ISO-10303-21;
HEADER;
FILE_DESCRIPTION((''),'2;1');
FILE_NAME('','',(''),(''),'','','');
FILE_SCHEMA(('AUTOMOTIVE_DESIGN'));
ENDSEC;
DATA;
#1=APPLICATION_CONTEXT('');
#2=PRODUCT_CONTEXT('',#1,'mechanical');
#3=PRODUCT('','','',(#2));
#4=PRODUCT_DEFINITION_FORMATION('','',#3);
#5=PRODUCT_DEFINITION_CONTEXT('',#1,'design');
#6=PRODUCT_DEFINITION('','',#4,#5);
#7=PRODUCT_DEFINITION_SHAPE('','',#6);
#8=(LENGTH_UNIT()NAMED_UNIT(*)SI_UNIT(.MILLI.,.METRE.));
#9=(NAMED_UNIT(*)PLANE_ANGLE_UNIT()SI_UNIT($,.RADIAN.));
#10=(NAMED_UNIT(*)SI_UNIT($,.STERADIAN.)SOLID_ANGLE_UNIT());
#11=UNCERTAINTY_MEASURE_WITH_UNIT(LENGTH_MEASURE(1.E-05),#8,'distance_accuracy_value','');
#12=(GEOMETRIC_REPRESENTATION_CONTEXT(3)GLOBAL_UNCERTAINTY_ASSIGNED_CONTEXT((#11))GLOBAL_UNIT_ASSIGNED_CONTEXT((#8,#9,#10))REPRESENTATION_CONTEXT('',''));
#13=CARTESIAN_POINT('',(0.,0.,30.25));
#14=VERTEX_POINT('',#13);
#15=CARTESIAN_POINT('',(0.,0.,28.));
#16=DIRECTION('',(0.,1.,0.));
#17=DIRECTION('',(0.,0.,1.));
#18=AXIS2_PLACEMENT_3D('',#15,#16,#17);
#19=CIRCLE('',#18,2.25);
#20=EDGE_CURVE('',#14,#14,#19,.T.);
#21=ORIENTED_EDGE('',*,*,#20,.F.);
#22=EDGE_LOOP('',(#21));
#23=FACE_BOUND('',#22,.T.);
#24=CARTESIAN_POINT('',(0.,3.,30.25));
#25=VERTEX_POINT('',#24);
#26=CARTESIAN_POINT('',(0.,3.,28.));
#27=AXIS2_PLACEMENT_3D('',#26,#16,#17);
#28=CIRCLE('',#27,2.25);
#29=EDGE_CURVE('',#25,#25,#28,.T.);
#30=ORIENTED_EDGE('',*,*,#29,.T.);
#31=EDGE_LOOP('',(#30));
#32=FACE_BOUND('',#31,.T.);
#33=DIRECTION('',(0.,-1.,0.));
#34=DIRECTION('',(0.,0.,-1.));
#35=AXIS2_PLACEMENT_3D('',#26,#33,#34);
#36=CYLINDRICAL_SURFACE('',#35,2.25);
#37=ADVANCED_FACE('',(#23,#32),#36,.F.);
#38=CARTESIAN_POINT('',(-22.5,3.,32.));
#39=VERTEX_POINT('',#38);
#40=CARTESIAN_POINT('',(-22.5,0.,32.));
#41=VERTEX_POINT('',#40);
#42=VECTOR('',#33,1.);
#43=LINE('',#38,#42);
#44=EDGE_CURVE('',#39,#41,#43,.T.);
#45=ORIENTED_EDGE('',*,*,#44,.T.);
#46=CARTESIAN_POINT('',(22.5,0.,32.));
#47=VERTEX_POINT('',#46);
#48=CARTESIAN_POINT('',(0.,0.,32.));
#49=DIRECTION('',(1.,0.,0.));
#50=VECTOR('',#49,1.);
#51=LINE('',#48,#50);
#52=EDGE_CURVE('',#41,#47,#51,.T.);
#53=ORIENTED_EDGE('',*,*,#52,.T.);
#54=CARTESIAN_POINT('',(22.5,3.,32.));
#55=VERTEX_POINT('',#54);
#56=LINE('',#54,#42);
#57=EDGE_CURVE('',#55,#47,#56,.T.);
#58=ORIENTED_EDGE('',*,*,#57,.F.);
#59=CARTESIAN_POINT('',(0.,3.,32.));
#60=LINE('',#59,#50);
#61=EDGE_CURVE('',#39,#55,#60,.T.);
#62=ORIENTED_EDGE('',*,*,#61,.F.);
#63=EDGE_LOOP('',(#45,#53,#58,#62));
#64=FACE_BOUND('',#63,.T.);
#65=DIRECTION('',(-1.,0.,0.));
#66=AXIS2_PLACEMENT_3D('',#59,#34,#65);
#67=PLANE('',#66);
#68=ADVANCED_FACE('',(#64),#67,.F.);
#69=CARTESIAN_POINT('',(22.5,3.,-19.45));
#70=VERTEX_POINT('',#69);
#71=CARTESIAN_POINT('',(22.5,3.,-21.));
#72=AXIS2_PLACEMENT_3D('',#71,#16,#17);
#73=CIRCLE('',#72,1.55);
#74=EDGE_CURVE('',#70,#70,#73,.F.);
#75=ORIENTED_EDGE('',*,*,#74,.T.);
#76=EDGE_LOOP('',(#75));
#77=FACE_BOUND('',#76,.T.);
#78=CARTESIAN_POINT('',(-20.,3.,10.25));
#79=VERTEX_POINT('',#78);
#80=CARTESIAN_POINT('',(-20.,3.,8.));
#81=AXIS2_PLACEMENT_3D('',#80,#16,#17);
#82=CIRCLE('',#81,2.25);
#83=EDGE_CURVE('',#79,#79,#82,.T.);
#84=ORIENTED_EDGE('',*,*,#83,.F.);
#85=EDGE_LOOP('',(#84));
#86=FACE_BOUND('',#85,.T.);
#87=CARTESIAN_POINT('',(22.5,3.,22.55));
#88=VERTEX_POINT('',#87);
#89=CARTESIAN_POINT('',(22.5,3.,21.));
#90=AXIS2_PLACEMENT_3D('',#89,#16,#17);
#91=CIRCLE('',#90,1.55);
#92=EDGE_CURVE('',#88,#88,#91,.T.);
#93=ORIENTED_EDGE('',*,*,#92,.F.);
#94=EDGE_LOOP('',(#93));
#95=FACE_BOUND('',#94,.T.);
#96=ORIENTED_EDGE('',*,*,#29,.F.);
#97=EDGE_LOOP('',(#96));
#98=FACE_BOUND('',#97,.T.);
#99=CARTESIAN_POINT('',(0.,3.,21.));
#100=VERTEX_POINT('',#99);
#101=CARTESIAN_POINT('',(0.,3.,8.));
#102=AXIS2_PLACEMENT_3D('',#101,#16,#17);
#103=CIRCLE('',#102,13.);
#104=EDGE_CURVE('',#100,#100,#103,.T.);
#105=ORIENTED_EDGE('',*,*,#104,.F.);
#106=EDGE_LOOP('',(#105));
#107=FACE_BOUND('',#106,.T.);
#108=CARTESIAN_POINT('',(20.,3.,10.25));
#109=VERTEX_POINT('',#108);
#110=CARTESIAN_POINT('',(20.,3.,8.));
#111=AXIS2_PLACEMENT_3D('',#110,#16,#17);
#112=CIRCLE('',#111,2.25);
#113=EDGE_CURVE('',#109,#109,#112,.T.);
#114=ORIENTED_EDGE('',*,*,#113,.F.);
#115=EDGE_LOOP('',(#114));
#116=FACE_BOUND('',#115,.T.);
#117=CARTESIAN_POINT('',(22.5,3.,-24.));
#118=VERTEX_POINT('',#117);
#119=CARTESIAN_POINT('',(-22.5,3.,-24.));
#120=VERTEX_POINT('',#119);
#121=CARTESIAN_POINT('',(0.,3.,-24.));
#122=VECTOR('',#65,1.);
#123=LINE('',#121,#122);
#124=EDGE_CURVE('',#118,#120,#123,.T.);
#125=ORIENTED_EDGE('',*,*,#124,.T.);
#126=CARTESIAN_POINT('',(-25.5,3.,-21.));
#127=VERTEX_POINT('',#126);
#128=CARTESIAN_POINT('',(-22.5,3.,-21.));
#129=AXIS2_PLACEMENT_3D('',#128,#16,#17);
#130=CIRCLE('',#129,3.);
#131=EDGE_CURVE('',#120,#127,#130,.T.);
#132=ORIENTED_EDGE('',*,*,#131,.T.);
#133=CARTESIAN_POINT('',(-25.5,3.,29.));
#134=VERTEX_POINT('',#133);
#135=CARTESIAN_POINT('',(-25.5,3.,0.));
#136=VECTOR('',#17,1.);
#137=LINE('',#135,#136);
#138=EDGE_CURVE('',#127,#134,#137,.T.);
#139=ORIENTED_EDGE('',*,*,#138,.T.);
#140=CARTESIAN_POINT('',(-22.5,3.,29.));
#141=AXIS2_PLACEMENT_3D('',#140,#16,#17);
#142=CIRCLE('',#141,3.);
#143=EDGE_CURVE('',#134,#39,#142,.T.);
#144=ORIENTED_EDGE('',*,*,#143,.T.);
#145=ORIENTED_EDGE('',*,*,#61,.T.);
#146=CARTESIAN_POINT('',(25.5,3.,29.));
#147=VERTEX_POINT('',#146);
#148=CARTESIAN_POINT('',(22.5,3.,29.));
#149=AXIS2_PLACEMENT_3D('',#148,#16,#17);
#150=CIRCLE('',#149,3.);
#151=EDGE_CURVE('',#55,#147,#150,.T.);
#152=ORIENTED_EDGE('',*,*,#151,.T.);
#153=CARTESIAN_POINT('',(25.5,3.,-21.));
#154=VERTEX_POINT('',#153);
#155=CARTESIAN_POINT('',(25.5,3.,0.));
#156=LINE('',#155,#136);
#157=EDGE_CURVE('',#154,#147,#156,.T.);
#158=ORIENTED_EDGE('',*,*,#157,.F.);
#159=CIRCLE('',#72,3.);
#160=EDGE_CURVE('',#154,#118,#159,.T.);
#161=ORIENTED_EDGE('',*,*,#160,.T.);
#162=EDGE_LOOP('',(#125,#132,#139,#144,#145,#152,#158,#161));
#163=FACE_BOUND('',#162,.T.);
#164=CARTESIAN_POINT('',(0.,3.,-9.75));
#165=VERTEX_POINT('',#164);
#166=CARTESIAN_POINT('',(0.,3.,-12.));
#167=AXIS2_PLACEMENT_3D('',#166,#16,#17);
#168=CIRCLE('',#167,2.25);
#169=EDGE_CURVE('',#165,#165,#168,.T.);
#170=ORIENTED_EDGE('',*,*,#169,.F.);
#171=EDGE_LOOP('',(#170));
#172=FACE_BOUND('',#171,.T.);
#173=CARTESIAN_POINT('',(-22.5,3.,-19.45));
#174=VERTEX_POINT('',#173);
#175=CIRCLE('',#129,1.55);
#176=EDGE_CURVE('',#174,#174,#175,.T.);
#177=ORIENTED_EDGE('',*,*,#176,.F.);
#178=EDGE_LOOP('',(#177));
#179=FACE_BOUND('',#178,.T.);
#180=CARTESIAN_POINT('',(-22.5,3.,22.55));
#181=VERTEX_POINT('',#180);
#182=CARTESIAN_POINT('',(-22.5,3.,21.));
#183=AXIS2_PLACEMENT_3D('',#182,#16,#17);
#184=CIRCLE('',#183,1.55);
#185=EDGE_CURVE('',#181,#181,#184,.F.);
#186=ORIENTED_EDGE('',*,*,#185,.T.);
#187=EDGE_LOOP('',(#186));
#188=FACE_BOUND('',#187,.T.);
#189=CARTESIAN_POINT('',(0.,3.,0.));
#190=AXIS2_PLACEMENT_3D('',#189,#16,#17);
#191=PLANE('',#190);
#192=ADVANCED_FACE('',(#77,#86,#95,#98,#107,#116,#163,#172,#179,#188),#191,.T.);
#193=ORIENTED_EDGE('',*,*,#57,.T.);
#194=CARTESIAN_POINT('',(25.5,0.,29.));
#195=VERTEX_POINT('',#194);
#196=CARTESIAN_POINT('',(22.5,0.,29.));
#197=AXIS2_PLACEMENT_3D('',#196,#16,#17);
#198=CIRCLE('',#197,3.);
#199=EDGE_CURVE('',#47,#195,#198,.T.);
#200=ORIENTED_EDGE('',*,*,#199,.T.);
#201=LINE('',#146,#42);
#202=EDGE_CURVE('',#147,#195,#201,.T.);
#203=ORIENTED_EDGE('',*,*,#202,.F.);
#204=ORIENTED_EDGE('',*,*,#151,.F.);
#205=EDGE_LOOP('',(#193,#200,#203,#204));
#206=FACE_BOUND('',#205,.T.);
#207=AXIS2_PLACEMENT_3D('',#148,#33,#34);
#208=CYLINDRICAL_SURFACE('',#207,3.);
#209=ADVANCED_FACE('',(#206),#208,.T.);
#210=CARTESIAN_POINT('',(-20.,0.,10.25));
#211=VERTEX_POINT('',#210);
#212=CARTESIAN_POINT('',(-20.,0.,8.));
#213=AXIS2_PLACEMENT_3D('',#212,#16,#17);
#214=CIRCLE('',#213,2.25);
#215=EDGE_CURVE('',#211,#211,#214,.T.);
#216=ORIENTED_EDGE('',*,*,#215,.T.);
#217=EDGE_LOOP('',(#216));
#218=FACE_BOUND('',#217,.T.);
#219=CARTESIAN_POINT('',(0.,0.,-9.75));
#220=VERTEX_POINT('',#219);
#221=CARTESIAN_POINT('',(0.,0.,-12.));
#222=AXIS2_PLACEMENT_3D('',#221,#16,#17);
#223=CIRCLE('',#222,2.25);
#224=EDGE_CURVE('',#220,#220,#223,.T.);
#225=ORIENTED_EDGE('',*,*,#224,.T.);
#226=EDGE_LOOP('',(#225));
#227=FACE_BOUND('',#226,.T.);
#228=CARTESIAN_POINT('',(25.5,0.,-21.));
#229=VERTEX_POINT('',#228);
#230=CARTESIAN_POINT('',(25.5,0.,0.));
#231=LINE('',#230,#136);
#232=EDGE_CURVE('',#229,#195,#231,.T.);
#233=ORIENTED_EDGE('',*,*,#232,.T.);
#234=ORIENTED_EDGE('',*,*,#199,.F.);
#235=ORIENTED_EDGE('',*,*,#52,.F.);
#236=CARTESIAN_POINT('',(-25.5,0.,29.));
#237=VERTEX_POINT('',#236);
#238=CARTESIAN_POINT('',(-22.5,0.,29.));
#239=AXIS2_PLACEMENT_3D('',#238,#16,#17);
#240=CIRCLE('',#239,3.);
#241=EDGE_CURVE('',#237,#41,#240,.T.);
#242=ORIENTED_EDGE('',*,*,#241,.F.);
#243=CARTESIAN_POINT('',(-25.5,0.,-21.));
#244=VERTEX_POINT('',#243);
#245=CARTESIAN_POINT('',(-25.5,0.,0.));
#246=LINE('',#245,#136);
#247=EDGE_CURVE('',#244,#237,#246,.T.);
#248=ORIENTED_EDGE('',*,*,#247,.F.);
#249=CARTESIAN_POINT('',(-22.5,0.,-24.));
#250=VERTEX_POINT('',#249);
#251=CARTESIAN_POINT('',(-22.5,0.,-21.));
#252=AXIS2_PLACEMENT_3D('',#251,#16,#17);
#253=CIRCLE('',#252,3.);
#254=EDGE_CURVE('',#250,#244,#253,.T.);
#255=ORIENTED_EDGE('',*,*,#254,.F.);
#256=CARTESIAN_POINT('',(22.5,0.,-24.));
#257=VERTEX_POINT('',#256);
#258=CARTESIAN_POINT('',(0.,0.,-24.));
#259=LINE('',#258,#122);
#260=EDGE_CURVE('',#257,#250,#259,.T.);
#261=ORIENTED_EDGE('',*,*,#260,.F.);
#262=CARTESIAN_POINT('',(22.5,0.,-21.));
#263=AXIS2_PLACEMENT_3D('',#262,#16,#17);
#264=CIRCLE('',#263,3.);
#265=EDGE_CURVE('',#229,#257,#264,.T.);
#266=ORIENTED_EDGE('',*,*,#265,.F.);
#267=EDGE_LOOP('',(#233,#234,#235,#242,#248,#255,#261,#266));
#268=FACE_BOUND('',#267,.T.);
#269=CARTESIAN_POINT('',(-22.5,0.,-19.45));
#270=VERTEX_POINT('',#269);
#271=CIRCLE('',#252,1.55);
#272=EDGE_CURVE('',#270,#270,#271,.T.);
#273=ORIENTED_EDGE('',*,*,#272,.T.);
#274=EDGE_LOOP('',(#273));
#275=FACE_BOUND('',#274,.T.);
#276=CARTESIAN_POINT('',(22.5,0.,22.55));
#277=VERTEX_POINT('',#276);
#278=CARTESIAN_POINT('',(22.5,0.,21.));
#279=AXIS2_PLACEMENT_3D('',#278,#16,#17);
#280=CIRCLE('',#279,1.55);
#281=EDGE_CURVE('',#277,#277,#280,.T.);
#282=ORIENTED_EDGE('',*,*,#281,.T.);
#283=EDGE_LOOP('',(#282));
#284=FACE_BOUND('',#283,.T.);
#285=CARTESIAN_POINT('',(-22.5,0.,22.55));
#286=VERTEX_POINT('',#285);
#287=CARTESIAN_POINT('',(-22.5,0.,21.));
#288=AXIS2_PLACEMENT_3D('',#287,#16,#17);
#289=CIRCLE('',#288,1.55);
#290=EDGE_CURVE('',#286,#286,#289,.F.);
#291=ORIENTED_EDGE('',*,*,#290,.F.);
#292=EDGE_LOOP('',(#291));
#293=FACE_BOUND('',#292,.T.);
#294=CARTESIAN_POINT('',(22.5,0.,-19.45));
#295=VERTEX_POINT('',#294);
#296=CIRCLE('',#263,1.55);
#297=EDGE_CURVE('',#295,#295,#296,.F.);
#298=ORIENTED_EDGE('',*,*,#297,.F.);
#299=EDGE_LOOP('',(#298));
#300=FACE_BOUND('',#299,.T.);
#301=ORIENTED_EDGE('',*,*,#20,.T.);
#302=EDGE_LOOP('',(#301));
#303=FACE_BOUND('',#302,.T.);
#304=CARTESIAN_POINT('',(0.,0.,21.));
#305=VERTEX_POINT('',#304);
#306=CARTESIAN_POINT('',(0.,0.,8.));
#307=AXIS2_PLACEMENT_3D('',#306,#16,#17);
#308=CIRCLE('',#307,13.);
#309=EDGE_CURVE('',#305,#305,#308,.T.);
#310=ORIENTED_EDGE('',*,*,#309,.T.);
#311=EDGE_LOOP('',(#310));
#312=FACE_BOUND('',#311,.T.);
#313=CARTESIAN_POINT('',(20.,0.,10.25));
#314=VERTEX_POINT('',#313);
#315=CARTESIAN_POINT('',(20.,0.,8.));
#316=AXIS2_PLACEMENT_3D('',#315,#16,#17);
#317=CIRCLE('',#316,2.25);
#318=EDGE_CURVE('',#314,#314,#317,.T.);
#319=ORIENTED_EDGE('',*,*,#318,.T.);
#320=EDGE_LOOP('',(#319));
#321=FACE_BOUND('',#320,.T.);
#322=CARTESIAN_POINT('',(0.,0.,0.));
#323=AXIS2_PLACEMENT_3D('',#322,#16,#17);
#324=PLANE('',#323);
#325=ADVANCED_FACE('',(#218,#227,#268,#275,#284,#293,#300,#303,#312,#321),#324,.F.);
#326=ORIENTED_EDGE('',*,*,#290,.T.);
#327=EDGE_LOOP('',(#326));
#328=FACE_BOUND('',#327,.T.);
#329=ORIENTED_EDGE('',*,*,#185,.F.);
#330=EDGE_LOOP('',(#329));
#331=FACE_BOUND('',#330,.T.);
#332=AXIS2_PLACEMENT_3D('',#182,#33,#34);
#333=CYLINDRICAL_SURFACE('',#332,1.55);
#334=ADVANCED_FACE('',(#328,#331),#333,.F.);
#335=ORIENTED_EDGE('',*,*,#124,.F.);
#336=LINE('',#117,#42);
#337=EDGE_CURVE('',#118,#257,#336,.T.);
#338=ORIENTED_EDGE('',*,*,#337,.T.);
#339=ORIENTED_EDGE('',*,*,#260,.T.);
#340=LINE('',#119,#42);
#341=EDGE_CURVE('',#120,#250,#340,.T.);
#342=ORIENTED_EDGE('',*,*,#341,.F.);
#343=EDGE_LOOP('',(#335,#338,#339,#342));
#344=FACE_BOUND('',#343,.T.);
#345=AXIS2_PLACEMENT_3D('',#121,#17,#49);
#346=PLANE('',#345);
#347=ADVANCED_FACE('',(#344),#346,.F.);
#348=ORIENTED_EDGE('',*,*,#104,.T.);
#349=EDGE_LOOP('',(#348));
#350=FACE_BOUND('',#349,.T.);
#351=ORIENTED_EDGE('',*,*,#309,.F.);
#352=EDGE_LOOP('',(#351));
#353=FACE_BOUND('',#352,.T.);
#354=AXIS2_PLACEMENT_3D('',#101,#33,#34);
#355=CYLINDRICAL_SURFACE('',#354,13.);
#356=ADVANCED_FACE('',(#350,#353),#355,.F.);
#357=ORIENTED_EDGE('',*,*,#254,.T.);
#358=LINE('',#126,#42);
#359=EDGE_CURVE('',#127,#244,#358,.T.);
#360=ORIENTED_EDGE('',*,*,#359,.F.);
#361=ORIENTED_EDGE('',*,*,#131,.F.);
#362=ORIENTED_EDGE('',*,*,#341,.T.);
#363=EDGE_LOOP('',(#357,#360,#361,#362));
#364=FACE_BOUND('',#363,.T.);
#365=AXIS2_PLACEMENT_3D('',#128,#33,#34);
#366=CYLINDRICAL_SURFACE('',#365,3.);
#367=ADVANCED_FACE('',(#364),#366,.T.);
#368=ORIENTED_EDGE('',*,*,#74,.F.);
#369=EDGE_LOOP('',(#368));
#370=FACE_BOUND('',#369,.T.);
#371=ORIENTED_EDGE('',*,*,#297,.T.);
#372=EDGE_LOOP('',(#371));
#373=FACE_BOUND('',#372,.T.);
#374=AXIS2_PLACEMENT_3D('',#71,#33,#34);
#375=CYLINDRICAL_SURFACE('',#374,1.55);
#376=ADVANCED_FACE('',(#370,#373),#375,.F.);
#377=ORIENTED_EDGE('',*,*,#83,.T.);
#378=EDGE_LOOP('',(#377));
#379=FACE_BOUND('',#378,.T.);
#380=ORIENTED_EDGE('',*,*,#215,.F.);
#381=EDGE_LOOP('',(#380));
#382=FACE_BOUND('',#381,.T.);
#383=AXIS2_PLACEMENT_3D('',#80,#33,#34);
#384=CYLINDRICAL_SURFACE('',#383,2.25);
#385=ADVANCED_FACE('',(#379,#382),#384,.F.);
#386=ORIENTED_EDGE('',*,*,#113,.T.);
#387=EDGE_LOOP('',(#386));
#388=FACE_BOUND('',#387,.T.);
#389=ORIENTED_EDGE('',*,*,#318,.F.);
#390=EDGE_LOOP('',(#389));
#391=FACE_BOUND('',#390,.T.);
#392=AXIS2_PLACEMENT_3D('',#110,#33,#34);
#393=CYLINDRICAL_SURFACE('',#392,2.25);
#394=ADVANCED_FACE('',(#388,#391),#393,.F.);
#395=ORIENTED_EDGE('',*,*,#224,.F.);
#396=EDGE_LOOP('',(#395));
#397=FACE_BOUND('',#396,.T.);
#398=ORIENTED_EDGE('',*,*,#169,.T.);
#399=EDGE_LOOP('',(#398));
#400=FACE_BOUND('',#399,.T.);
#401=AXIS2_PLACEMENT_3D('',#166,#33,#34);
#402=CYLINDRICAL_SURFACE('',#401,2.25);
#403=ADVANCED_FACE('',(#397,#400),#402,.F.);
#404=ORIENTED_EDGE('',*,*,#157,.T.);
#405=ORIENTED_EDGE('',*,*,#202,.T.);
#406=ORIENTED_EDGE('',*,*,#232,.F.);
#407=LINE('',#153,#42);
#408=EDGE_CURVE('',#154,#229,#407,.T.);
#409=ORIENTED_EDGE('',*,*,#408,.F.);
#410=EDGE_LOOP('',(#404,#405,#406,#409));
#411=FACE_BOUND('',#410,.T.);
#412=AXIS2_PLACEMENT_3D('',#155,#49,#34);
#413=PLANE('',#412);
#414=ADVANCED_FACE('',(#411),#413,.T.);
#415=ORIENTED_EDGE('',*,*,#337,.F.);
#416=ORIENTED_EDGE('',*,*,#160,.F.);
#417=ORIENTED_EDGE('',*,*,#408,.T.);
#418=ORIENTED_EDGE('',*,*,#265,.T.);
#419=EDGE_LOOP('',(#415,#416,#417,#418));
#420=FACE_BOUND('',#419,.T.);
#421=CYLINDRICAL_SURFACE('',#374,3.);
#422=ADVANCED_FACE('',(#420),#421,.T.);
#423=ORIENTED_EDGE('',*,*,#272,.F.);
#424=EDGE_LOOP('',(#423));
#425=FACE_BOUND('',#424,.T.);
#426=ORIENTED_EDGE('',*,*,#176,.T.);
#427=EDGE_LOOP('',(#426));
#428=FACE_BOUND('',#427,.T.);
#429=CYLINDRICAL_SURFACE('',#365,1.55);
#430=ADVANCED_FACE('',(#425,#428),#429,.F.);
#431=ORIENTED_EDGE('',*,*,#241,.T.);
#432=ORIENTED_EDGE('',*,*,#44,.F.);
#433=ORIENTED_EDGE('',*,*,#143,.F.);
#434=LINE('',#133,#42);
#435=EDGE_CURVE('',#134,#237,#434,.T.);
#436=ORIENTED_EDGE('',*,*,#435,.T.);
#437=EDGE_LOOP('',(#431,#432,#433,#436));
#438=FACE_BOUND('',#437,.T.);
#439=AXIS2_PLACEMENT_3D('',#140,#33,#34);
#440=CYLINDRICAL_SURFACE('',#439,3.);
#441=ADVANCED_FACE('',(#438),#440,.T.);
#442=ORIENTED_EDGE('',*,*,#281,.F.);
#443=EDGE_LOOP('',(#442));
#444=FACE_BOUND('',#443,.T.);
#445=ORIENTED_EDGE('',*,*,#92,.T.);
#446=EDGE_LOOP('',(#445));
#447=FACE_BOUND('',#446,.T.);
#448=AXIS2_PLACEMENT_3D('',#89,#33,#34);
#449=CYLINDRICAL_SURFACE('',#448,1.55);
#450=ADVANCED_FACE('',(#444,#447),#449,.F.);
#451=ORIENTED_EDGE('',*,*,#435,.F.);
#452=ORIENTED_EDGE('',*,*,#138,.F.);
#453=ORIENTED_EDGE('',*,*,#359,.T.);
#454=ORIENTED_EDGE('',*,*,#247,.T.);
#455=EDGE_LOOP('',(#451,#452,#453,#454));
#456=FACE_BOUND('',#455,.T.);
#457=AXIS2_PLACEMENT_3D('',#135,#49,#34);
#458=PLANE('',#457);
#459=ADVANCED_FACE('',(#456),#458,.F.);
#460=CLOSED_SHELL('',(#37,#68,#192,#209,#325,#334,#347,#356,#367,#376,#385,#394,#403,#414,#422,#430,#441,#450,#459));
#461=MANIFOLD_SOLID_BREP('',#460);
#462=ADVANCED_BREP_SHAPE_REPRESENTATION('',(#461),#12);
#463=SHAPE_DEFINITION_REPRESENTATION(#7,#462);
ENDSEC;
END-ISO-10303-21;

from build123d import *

# Parameters (mm, degrees)
SKETCH1_R         = 1.55
SKETCH1_R_2       = 2.25
SKETCH1_R_3       = 13
MOTOR_PLATE_DEPTH = 3


with BuildPart() as part:
    # Sketch1 → Motor_Plate (new body)
    with BuildSketch(Plane(origin=(0, 0, 0), x_dir=(1, 0, 0), z_dir=(0, 1, 0))):
        with BuildLine():
            Line((25.5, -29), (25.5, 21))
            ThreePointArc((25.5, 21), (24.621320344, 23.121320344), (22.5, 24))
            Line((22.5, 24), (-22.5, 24))
            ThreePointArc((-22.5, 24), (-24.621320344, 23.121320344), (-25.5, 21))
            Line((-25.5, 21), (-25.5, -29))
            ThreePointArc((-25.5, -29), (-24.621320344, -31.121320344), (-22.5, -32))
            Line((-22.5, -32), (22.5, -32))
            ThreePointArc((22.5, -32), (24.621320344, -31.121320344), (25.5, -29))
        make_face()
        with Locations(Location((22.5, -21, 0), (0, 0, 270))):
            Circle(SKETCH1_R, mode=Mode.SUBTRACT)
        with Locations(Location((-22.5, -21, 0), (0, 0, 270))):
            Circle(SKETCH1_R, mode=Mode.SUBTRACT)
        with Locations(Location((0, -28, 0), (0, 0, 270))):
            Circle(SKETCH1_R_2, mode=Mode.SUBTRACT)
        with Locations(Location((0, 12, 0), (0, 0, 270))):
            Circle(SKETCH1_R_2, mode=Mode.SUBTRACT)
        with Locations(Location((-22.5, 21, 0), (0, 0, 270))):
            Circle(SKETCH1_R, mode=Mode.SUBTRACT)
        with Locations(Location((20, -8, 0), (0, 0, 270))):
            Circle(SKETCH1_R_2, mode=Mode.SUBTRACT)
        with Locations(Location((22.5, 21, 0), (0, 0, 270))):
            Circle(SKETCH1_R, mode=Mode.SUBTRACT)
        with Locations(Location((-20, -8, 0), (0, 0, 270))):
            Circle(SKETCH1_R_2, mode=Mode.SUBTRACT)
        with Locations(Location((0, -8, 0), (0, 0, 270))):
            Circle(SKETCH1_R_3, mode=Mode.SUBTRACT)
    extrude(amount=MOTOR_PLATE_DEPTH)


solid = part.part
